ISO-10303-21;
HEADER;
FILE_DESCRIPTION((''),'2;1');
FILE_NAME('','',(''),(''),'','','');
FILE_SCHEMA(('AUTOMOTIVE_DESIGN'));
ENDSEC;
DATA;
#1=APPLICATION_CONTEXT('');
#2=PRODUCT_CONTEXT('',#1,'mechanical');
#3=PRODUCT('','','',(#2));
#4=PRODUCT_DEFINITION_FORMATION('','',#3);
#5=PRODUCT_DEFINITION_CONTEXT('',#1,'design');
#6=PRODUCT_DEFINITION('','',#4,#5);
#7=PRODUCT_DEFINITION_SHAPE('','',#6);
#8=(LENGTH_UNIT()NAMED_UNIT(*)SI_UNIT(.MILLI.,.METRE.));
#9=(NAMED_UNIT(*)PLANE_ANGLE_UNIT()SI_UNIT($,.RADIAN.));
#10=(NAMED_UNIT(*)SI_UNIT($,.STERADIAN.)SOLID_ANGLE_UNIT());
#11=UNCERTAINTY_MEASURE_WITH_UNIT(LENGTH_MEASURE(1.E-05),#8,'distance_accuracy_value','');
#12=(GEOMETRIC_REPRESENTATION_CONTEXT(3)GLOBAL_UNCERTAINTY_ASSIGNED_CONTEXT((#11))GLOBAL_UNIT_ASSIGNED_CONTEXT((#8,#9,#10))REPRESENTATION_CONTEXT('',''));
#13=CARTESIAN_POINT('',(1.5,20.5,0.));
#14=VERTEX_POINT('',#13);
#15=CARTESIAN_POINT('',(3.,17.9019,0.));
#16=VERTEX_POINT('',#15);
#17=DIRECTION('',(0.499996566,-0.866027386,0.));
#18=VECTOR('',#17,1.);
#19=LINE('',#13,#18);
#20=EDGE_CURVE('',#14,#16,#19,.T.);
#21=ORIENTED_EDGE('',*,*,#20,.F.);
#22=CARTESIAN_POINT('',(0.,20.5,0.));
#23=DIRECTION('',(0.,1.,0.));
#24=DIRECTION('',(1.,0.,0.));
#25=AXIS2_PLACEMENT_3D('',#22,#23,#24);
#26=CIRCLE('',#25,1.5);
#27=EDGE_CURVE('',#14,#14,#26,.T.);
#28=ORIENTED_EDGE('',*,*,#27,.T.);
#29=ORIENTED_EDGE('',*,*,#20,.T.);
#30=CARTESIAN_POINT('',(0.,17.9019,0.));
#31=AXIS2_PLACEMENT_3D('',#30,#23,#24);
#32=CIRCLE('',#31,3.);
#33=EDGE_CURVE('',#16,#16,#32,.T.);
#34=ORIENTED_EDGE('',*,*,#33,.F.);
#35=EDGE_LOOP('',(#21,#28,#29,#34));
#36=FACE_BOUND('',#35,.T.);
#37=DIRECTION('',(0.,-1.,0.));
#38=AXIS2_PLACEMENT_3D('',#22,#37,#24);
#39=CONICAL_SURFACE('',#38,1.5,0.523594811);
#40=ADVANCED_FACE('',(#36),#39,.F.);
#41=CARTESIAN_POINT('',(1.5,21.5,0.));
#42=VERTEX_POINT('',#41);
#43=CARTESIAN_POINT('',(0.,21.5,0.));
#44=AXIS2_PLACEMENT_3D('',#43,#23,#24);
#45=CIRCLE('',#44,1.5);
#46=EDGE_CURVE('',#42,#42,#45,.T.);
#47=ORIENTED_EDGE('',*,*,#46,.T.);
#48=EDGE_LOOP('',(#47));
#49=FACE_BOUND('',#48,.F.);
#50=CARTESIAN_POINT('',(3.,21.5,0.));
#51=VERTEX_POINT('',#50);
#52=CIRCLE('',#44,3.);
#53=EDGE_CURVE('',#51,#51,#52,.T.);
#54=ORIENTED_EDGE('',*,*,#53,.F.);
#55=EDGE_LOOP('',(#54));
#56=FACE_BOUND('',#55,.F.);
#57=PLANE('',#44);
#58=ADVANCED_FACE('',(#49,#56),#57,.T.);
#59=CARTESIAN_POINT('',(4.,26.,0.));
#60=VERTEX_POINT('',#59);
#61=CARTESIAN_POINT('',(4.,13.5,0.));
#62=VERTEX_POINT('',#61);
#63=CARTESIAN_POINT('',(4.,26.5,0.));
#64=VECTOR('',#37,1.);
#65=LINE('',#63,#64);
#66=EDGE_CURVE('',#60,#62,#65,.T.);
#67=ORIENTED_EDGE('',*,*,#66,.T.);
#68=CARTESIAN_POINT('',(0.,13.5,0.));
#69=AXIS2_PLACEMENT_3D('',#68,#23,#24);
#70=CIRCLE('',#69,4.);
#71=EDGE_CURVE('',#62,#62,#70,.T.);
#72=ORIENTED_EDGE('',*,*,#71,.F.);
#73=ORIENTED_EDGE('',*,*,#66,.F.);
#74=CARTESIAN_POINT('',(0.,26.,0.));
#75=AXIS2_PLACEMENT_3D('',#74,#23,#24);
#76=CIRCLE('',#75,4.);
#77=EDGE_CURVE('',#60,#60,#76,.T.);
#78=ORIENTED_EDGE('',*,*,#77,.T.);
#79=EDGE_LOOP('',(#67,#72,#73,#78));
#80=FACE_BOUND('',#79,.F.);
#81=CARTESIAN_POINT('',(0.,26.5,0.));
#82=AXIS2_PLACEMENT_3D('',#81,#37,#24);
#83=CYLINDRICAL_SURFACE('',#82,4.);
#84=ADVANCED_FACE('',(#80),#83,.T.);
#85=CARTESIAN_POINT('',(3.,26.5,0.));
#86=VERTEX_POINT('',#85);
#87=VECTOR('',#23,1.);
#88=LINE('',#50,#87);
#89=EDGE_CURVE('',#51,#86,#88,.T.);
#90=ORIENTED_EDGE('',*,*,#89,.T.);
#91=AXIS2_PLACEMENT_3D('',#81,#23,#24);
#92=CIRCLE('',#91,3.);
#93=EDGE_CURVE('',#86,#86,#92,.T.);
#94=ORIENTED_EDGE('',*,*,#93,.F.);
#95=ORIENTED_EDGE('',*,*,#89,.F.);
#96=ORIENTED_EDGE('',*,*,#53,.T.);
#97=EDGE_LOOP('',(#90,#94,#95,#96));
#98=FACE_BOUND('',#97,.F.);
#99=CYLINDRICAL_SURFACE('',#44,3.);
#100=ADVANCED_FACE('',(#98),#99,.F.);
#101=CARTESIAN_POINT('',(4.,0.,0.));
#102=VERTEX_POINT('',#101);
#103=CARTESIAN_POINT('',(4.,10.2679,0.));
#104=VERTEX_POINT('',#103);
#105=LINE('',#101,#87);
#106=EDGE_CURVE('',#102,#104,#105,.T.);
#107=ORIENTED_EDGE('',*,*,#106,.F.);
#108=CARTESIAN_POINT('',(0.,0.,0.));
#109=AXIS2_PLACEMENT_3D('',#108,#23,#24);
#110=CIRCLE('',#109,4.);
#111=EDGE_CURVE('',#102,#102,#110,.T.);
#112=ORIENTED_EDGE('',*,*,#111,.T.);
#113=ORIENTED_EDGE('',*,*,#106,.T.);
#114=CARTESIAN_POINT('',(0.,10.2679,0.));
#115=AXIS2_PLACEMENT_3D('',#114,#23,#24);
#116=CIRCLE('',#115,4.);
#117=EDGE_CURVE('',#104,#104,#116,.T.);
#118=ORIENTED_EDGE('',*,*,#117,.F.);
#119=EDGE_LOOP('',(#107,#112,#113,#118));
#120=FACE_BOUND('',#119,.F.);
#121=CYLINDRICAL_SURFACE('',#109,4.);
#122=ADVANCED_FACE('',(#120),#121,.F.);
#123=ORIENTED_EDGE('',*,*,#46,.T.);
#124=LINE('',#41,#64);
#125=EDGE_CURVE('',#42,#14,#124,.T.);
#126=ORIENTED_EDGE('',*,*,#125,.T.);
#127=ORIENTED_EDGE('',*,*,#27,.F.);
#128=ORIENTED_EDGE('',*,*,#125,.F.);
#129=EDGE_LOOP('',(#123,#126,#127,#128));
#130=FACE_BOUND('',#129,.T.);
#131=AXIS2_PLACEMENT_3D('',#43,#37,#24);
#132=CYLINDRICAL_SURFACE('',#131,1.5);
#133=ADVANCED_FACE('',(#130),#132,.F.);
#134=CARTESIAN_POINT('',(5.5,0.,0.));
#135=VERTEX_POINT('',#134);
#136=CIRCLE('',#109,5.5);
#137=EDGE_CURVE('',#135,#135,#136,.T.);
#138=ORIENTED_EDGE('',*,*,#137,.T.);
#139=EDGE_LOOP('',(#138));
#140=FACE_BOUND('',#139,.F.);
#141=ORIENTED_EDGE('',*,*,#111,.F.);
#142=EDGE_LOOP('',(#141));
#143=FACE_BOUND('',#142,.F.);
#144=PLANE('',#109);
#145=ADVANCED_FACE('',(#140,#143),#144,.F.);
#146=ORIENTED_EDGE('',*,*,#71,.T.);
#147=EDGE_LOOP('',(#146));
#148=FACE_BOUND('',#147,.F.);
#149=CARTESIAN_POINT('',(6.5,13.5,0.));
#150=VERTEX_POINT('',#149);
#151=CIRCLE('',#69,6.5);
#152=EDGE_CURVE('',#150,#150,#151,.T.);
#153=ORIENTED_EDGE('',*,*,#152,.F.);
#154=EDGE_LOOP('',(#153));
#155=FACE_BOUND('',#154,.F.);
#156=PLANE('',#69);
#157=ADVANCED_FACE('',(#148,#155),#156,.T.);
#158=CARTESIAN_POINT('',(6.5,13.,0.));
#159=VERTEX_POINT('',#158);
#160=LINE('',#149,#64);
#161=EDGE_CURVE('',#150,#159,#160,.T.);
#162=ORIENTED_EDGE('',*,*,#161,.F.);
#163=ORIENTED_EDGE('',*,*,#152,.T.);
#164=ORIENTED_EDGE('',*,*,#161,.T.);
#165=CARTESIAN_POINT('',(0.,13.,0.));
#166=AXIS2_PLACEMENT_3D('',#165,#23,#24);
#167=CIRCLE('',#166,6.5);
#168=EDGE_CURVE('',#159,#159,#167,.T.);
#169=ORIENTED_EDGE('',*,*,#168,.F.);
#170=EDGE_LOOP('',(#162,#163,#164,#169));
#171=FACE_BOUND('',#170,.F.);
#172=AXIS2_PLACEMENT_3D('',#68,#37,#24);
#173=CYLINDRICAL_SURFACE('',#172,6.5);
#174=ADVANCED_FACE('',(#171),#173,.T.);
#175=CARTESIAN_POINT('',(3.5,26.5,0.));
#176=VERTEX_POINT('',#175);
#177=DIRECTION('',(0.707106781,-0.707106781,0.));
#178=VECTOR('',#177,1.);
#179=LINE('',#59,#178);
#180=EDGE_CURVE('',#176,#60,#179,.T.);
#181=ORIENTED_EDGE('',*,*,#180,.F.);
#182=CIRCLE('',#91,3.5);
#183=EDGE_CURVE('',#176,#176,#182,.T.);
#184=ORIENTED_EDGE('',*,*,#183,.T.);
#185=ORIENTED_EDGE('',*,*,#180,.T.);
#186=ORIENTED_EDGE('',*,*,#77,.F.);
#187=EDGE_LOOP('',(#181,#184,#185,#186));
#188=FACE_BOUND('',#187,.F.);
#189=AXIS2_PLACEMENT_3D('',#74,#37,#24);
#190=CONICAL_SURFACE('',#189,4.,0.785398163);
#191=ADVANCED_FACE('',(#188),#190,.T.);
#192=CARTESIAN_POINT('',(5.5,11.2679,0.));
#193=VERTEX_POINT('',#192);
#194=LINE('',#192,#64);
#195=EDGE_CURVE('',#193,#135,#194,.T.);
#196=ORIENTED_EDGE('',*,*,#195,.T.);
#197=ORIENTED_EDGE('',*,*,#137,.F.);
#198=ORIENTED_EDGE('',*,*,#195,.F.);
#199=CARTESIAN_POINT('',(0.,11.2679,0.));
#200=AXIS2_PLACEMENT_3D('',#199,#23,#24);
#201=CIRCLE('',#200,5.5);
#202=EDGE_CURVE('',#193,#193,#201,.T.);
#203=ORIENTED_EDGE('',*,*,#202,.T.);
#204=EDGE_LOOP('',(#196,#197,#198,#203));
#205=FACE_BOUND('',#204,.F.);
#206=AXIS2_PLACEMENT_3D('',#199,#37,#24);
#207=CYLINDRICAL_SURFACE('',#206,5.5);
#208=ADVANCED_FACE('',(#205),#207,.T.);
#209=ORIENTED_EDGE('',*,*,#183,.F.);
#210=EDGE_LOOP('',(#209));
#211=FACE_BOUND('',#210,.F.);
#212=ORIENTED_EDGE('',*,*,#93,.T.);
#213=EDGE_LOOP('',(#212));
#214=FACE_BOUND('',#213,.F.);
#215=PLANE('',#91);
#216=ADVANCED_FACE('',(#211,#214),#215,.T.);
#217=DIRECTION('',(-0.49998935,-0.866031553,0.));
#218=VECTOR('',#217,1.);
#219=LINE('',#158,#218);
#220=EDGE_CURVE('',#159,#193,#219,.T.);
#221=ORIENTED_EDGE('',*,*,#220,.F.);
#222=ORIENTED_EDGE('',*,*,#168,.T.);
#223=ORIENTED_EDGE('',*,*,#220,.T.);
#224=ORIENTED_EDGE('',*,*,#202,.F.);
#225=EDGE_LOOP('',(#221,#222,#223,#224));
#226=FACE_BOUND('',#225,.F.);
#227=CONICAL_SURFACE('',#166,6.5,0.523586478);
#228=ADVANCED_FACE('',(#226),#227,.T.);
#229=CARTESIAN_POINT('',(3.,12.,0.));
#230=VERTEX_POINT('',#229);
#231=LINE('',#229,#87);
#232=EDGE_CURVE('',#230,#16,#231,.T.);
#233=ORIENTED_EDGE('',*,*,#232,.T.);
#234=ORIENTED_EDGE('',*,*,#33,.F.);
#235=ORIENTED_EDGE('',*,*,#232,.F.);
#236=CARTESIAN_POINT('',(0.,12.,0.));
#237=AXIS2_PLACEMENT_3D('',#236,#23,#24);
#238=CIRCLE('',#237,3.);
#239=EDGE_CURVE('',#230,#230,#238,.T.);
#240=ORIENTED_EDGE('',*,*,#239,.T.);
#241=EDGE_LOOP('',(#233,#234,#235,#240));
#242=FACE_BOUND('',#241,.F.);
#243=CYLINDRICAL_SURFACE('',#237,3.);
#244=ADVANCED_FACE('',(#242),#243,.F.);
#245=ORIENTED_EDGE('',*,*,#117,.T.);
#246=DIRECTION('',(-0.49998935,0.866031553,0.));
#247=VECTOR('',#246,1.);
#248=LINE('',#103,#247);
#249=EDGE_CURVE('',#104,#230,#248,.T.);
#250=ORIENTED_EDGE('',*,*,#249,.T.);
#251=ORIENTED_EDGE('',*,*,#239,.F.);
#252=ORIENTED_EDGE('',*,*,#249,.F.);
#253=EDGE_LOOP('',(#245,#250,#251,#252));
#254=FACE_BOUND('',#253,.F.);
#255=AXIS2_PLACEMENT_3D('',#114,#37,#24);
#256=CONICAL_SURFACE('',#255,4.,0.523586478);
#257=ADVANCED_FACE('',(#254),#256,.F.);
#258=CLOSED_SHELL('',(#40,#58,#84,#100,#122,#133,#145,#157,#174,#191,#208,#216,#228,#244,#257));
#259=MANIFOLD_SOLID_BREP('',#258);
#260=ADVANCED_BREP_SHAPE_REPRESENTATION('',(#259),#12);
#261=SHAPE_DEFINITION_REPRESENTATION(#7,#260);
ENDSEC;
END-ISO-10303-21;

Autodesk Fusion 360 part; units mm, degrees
sketch "Sketch1" plane through (0, 0, 0) normal (0, 0, 1) x (1, 0, 0)
  line L0 (4, 0) -> (4, 10.2679)
  line L1 (4, 10.2679) -> (3, 12)
  line L2 (1.5, 21.5) -> (3, 21.5)
  line L3 (3, 21.5) -> (3, 26.5)
  line L4 (3, 26.5) -> (4, 26.5)
  line L5 (4, 26.5) -> (4, 13.5)
  line L6 (4, 13.5) -> (6.5, 13.5)
  line L7 (6.5, 13.5) -> (6.5, 13)
  line L8 (6.5, 13) -> (5.5, 11.2679)
  line L9 (5.5, 11.2679) -> (5.5, 0)
  line L10 (5.5, 0) -> (4, 0)
  line L11 (0, 0) -> (0, 26.5) construction
  line L12 (3, 12) -> (3, 17.9019)
  line L13 (1.5, 21.5) -> (1.5, 20.5)
  line L14 (1.5, 20.5) -> (3, 17.9019)
  dimension "d2" = 4
  dimension "d3" = 5.5
  dimension "d4" = 3
  dimension "d5" = 4
  dimension "d6" = 6.5
  dimension "d7" = 13
  dimension "d9" = 12
  dimension "d10" = 5
  dimension "d11" = 13
  dimension "d12" = 26.5
  dimension "d13" = 60
  dimension "d14" = 60
  dimension "d15" = 3
  dimension "d16" = 1.5
  dimension "d17" = 60
  dimension "d18" = 6
revolve "Revolve1" add sketch "Sketch1" angle 360 about axis through (0, 0, 0) along (0, 1, 0)
chamfer "Chamfer1" distance 0.5 angle 45 1 edges at (-3.7293, 26.5, -1.4465)
equation "d2 = ( 8 / 2 ) * 1 mm"
equation "d3 = ( 11 / 2 ) * 1 mm"
equation "d4 = ( 6 / 2 ) * 1 mm"
equation "d5 = ( 8 / 2 ) * 1 mm"
equation "d6 = ( 13 / 2 ) * 1 mm"
equation "d15 = ( 6 / 2 ) * 1 mm"
equation "d16 = ( 3 / 2 ) * 1 mm"
